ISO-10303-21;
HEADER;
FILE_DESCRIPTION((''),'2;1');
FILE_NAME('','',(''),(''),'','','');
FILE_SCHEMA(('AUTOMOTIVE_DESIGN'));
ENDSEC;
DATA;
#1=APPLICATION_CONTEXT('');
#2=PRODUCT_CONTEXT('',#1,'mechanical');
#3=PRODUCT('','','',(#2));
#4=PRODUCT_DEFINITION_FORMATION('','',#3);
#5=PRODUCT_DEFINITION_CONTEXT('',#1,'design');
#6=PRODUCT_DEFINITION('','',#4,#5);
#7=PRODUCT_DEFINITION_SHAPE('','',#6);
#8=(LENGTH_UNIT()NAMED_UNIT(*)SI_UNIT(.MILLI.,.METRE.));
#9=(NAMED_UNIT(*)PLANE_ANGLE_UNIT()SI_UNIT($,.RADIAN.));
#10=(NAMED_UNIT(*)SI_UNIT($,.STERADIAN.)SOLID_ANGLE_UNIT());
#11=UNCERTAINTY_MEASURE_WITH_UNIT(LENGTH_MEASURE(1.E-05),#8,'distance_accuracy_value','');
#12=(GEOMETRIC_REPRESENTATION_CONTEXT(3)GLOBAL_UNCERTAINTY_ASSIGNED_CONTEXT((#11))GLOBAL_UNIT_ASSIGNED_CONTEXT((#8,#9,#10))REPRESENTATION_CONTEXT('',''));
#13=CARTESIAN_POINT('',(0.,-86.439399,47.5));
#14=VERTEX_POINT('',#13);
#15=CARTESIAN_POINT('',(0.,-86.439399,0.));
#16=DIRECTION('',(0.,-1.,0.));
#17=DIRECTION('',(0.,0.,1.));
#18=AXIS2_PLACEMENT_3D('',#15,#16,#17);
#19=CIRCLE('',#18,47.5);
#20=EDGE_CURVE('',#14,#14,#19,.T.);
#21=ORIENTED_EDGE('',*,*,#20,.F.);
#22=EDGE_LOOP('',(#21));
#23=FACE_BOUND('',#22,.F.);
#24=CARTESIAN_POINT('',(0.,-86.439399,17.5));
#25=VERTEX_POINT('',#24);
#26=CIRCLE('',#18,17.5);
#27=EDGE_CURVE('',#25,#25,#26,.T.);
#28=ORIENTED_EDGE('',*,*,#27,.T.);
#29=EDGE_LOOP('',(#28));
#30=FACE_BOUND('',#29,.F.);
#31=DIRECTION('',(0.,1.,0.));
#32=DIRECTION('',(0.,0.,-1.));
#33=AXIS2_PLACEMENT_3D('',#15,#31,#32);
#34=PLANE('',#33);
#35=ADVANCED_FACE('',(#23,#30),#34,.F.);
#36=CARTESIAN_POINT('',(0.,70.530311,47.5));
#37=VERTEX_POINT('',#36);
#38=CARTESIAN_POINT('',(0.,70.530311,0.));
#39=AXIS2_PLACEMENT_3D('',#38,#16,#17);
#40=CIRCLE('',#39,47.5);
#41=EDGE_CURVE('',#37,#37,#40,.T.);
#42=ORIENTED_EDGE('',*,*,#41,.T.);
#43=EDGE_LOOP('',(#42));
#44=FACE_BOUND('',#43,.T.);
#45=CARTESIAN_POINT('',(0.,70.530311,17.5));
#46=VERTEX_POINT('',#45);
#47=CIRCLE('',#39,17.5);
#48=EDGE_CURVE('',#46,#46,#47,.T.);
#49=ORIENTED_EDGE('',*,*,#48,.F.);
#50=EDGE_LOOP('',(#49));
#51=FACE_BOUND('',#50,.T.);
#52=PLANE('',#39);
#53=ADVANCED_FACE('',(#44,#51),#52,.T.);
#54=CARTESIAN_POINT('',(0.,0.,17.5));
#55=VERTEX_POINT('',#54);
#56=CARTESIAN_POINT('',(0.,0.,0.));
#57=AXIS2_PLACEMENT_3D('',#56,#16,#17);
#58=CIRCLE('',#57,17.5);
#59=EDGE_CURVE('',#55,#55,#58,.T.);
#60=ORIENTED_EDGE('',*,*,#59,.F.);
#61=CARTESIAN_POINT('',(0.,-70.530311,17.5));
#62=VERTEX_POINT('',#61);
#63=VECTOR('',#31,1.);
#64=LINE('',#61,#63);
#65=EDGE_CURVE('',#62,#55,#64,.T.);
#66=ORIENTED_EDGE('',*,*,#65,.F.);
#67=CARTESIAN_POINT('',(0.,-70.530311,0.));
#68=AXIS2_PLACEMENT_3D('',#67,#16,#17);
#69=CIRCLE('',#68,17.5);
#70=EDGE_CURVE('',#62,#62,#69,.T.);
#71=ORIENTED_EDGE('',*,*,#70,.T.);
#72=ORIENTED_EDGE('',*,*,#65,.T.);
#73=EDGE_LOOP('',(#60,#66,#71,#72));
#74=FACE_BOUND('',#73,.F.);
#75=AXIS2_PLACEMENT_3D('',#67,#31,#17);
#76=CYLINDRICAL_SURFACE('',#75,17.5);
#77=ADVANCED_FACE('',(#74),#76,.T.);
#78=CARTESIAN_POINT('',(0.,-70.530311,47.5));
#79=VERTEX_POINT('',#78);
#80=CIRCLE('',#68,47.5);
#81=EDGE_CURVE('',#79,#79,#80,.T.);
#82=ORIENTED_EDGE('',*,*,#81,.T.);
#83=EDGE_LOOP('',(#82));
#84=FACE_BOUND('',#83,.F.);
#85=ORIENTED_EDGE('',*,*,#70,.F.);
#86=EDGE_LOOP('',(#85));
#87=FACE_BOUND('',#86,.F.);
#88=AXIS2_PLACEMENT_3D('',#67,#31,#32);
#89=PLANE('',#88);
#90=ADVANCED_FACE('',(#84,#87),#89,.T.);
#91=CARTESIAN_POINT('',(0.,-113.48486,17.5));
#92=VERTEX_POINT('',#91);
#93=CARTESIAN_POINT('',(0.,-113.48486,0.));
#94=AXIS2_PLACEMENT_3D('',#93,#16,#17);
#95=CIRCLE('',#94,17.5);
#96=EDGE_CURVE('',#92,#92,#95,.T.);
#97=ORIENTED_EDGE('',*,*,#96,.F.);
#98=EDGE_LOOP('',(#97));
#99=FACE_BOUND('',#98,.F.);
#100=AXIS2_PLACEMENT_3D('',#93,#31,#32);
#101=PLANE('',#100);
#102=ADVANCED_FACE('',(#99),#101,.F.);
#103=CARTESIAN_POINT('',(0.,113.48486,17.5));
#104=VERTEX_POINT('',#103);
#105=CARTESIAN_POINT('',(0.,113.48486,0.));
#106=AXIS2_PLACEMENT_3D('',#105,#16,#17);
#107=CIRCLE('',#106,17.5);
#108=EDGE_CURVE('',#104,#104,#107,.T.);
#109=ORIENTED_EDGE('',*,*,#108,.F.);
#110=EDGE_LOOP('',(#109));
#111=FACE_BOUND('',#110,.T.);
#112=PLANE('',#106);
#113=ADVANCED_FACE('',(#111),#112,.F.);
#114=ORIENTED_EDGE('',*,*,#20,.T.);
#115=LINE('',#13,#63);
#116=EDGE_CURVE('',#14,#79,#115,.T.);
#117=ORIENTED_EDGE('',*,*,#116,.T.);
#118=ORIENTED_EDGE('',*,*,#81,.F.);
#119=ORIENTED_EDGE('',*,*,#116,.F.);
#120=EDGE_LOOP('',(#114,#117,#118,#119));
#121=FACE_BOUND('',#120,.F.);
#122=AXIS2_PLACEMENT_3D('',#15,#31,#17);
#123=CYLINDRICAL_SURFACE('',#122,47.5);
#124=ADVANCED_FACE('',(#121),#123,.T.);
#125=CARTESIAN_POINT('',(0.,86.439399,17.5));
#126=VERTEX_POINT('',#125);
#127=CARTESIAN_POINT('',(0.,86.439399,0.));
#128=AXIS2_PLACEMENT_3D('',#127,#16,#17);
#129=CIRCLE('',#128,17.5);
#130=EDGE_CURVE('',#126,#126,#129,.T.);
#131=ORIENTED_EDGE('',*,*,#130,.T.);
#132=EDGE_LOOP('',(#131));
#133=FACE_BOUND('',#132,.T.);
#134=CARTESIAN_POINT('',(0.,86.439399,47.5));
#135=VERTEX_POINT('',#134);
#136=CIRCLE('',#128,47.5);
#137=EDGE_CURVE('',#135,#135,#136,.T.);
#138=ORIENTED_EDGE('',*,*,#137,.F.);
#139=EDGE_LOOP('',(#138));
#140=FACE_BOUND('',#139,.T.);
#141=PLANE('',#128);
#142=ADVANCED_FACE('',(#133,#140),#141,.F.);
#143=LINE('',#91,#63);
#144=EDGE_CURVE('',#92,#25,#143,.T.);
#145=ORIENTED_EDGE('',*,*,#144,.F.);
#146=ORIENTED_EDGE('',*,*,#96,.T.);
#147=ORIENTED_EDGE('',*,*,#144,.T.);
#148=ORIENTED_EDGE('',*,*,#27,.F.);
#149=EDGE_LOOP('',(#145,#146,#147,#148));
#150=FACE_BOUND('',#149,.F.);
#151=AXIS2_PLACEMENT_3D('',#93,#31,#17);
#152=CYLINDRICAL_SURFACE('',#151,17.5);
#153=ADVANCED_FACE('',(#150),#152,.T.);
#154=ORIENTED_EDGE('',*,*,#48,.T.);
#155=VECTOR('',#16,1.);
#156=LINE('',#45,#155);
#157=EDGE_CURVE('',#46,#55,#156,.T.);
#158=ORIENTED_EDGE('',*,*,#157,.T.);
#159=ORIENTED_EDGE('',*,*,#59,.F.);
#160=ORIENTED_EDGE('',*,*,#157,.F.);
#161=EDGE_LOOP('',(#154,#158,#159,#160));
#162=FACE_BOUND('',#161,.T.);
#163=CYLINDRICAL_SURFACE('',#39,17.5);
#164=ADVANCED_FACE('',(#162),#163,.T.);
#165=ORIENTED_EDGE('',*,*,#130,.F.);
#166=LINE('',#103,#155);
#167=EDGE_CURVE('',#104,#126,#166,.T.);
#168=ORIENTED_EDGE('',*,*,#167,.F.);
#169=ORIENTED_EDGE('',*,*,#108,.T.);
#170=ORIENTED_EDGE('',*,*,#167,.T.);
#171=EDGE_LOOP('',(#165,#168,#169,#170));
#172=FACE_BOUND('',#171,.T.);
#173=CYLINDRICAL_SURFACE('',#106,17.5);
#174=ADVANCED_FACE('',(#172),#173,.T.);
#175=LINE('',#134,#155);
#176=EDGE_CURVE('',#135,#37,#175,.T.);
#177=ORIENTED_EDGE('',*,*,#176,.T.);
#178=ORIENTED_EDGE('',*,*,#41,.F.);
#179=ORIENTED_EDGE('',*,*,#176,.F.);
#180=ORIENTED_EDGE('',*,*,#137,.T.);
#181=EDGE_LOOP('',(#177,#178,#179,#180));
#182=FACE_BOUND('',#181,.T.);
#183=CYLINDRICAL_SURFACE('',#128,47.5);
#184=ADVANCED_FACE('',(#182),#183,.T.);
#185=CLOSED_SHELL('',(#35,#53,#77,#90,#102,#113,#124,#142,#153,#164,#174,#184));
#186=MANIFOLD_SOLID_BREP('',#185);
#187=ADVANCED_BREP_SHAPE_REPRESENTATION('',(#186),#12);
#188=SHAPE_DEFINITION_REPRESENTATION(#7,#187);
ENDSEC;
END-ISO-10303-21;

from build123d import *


with BuildPart() as f1:
    # F0 (on Right) → F1 (revolve)
    with BuildSketch(Plane.YZ):
        Polygon((70.530311, 17.5), (0, 17.5), (0, 0), (113.48486, 0), (113.48486, 17.5), (86.439399, 17.5), (86.439399, 47.5), (70.530311, 47.5), align=None)
    revolve(axis=Axis((0, 56.74243, 0), (0, -1, 0)))

    # F2: F1 across plane


with BuildPart() as f1_1:
    add(f1.part)
    add(f1.part.mirror(Plane.XZ))


solid = f1_1.part
